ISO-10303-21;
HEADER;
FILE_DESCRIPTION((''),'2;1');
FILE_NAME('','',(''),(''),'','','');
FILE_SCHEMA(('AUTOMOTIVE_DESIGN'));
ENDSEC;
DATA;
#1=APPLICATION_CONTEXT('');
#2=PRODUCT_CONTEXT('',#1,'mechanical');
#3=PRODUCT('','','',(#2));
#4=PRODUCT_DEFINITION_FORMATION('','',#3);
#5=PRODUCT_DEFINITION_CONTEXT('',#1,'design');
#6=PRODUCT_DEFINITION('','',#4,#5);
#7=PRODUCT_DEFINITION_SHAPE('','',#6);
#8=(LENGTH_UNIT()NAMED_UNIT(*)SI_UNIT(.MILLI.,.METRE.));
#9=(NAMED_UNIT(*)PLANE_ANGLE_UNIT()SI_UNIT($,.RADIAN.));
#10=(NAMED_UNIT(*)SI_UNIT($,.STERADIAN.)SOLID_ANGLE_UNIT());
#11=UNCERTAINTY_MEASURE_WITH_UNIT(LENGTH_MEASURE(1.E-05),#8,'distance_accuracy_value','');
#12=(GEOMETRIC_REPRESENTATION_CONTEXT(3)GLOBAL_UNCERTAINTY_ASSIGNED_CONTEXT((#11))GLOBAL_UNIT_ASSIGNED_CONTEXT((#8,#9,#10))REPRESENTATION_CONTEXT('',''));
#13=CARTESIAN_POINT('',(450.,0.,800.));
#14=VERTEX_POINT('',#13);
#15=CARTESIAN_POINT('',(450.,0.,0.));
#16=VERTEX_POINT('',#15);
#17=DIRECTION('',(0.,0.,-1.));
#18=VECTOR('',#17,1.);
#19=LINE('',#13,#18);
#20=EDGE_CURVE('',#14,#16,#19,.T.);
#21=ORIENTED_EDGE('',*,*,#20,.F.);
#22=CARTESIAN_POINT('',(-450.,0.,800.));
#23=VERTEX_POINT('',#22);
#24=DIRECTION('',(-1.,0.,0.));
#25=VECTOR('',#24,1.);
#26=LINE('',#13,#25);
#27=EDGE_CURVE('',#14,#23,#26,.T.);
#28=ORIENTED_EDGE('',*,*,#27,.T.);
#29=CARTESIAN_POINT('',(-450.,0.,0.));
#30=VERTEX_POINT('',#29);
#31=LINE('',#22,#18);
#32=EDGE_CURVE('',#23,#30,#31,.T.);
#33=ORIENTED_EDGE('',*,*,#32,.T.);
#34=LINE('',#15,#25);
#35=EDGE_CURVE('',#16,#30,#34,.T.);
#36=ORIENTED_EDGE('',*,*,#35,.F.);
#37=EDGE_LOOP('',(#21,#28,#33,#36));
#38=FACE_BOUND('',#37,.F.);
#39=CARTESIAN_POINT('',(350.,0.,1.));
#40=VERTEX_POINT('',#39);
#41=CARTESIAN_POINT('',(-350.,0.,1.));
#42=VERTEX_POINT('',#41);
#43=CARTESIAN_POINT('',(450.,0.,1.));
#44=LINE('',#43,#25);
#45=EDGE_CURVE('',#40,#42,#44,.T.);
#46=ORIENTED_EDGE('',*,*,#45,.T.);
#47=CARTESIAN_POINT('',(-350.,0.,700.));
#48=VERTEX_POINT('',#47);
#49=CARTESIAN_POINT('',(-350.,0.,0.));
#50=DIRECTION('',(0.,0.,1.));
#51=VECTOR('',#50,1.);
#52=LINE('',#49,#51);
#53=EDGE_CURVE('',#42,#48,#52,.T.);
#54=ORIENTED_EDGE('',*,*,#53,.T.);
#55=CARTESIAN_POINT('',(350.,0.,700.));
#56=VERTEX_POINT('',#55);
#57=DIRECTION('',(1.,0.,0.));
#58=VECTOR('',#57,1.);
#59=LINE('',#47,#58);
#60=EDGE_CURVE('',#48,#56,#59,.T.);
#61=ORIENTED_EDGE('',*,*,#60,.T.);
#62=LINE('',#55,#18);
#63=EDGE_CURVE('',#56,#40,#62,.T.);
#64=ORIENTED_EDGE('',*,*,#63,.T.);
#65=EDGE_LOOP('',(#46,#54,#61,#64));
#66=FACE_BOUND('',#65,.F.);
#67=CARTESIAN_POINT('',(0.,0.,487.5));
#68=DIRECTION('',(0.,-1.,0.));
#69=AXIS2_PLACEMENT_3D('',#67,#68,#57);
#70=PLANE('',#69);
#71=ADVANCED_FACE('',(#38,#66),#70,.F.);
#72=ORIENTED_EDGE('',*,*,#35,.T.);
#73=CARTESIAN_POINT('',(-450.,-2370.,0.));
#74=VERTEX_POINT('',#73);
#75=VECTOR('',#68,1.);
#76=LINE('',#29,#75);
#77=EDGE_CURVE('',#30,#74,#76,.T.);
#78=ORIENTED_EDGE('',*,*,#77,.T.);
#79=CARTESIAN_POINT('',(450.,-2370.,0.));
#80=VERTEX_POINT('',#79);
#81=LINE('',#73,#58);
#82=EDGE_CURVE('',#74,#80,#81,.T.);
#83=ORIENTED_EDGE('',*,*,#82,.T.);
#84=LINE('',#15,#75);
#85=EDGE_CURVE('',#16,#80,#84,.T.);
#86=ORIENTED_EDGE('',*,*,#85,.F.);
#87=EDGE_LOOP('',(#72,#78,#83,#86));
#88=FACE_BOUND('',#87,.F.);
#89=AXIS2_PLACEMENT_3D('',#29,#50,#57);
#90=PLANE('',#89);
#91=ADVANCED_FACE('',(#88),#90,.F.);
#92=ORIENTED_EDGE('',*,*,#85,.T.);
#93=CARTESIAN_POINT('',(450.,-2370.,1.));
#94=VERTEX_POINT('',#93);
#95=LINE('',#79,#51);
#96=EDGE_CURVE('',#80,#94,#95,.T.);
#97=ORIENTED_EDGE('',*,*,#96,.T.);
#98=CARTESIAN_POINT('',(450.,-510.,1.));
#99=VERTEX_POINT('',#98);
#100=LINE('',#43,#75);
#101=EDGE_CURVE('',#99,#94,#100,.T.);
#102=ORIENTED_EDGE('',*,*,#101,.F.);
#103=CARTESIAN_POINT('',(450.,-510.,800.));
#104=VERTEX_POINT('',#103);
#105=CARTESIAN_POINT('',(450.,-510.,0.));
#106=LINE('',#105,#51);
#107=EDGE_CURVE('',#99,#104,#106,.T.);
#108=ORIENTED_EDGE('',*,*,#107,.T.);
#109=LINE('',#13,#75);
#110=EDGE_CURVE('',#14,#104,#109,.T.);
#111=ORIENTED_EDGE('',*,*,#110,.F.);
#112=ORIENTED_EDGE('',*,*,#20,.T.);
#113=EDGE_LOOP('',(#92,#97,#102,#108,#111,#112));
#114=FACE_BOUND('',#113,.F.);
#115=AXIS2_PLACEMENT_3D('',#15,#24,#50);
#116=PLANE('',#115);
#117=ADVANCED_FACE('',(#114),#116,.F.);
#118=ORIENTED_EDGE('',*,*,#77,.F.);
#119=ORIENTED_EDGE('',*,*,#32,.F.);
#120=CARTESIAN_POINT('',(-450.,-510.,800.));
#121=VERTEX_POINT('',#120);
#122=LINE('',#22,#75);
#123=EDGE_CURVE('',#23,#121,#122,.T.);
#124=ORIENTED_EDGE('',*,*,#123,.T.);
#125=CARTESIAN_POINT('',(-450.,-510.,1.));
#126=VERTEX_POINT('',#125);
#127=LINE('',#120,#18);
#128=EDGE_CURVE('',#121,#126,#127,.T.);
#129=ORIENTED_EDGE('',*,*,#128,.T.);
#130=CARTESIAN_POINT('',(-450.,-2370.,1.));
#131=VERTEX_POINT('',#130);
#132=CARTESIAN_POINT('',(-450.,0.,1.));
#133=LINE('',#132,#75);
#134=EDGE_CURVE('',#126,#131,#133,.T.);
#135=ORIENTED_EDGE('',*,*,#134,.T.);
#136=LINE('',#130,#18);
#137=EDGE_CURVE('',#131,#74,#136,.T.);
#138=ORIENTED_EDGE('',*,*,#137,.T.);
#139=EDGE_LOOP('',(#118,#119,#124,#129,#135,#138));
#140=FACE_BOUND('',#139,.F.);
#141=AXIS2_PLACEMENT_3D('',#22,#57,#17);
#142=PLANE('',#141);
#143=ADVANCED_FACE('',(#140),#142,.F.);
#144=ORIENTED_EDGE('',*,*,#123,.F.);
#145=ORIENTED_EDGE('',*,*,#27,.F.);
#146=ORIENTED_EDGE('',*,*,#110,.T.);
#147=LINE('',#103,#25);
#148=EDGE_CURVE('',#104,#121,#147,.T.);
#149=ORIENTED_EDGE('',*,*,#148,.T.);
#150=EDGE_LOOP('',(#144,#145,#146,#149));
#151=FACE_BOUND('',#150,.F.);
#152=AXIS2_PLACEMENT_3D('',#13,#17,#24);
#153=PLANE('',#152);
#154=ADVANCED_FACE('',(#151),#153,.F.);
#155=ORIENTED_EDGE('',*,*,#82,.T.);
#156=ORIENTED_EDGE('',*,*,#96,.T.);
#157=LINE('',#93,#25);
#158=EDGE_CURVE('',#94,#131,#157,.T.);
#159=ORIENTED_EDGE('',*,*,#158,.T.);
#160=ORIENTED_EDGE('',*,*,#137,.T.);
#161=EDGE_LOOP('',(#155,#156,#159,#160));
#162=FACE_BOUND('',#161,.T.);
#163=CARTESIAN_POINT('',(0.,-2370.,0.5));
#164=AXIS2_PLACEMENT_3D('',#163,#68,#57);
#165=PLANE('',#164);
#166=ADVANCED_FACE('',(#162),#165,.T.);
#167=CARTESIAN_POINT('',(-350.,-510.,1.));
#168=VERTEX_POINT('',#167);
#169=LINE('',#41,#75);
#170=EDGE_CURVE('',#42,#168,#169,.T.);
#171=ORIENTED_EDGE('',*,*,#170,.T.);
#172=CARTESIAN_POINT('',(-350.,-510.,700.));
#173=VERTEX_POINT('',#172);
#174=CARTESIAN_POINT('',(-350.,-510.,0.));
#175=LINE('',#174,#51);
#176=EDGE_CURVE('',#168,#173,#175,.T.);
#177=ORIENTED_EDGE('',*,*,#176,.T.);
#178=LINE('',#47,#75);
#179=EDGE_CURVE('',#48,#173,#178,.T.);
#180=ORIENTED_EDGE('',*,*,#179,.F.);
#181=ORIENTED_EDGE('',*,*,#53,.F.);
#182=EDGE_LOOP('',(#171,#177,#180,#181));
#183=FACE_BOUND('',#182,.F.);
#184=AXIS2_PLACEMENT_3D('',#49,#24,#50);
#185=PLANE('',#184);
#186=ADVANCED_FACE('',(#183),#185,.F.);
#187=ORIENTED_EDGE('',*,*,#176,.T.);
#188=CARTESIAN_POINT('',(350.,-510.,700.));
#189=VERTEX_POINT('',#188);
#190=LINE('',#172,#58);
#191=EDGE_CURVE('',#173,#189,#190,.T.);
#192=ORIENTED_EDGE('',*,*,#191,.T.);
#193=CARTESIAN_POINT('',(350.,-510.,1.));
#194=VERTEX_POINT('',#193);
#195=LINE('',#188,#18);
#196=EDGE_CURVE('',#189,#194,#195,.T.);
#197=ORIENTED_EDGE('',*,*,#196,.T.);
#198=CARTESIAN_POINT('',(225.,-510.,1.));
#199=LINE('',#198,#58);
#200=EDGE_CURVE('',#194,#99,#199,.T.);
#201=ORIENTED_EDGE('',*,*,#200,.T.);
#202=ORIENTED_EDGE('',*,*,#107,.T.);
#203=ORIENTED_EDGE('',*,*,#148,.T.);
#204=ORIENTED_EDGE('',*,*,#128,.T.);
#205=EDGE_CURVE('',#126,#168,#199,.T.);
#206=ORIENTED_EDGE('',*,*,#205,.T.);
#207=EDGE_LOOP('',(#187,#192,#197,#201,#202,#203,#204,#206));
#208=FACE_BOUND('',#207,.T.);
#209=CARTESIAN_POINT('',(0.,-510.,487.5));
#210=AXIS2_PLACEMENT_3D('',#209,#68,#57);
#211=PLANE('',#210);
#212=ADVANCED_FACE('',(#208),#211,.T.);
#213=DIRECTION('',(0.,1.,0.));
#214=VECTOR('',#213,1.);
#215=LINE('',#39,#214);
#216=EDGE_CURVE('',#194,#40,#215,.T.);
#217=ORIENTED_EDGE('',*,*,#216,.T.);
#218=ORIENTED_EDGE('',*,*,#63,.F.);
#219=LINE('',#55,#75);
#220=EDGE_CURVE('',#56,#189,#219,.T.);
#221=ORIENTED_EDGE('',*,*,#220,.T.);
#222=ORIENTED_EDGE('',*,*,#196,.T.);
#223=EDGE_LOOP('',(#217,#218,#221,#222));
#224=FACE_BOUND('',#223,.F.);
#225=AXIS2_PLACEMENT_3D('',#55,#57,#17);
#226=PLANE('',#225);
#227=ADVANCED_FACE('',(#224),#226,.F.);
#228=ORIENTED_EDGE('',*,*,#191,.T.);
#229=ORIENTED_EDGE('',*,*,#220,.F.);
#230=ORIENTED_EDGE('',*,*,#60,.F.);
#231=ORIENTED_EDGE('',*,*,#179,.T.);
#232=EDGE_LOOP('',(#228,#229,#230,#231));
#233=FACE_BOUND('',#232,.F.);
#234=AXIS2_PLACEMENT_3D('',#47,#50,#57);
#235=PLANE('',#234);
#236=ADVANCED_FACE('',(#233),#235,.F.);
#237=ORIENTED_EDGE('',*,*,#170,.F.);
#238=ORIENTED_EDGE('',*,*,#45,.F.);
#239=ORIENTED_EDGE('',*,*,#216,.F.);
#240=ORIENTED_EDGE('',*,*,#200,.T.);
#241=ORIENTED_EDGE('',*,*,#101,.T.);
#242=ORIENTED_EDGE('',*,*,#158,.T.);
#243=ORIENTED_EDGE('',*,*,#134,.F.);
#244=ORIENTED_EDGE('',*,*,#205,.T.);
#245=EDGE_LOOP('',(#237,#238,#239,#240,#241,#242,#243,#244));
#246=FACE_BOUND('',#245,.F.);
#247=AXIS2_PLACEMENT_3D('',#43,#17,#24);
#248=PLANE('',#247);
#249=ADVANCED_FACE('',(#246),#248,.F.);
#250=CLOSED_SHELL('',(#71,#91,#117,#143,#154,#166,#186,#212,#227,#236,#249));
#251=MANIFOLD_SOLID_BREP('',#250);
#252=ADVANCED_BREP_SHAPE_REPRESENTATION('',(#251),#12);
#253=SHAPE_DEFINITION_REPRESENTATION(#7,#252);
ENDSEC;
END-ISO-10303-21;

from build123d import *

# Parameters (mm, degrees)
F1_DEPTH = 510
F3_DEPTH = 2370


with BuildPart() as f1:
    # F0 (on Front) → F1 (new body)
    with BuildSketch(Plane.XZ):
        Polygon((450, 800), (0, 800), (-450, 800), (-450, 0), (-350, 0), (-350, 700), (0, 700), (350, 700), (350, 0), (450, 0), align=None)
    extrude(amount=F1_DEPTH)

    # F2 (on Front) → F3 (join)
    with BuildSketch(Plane.XZ):
        Polygon((-450, 0), (0, 0), (450, 0), (450, 1), (-450, 1), align=None)
    extrude(amount=F3_DEPTH)


solid = f1.part
